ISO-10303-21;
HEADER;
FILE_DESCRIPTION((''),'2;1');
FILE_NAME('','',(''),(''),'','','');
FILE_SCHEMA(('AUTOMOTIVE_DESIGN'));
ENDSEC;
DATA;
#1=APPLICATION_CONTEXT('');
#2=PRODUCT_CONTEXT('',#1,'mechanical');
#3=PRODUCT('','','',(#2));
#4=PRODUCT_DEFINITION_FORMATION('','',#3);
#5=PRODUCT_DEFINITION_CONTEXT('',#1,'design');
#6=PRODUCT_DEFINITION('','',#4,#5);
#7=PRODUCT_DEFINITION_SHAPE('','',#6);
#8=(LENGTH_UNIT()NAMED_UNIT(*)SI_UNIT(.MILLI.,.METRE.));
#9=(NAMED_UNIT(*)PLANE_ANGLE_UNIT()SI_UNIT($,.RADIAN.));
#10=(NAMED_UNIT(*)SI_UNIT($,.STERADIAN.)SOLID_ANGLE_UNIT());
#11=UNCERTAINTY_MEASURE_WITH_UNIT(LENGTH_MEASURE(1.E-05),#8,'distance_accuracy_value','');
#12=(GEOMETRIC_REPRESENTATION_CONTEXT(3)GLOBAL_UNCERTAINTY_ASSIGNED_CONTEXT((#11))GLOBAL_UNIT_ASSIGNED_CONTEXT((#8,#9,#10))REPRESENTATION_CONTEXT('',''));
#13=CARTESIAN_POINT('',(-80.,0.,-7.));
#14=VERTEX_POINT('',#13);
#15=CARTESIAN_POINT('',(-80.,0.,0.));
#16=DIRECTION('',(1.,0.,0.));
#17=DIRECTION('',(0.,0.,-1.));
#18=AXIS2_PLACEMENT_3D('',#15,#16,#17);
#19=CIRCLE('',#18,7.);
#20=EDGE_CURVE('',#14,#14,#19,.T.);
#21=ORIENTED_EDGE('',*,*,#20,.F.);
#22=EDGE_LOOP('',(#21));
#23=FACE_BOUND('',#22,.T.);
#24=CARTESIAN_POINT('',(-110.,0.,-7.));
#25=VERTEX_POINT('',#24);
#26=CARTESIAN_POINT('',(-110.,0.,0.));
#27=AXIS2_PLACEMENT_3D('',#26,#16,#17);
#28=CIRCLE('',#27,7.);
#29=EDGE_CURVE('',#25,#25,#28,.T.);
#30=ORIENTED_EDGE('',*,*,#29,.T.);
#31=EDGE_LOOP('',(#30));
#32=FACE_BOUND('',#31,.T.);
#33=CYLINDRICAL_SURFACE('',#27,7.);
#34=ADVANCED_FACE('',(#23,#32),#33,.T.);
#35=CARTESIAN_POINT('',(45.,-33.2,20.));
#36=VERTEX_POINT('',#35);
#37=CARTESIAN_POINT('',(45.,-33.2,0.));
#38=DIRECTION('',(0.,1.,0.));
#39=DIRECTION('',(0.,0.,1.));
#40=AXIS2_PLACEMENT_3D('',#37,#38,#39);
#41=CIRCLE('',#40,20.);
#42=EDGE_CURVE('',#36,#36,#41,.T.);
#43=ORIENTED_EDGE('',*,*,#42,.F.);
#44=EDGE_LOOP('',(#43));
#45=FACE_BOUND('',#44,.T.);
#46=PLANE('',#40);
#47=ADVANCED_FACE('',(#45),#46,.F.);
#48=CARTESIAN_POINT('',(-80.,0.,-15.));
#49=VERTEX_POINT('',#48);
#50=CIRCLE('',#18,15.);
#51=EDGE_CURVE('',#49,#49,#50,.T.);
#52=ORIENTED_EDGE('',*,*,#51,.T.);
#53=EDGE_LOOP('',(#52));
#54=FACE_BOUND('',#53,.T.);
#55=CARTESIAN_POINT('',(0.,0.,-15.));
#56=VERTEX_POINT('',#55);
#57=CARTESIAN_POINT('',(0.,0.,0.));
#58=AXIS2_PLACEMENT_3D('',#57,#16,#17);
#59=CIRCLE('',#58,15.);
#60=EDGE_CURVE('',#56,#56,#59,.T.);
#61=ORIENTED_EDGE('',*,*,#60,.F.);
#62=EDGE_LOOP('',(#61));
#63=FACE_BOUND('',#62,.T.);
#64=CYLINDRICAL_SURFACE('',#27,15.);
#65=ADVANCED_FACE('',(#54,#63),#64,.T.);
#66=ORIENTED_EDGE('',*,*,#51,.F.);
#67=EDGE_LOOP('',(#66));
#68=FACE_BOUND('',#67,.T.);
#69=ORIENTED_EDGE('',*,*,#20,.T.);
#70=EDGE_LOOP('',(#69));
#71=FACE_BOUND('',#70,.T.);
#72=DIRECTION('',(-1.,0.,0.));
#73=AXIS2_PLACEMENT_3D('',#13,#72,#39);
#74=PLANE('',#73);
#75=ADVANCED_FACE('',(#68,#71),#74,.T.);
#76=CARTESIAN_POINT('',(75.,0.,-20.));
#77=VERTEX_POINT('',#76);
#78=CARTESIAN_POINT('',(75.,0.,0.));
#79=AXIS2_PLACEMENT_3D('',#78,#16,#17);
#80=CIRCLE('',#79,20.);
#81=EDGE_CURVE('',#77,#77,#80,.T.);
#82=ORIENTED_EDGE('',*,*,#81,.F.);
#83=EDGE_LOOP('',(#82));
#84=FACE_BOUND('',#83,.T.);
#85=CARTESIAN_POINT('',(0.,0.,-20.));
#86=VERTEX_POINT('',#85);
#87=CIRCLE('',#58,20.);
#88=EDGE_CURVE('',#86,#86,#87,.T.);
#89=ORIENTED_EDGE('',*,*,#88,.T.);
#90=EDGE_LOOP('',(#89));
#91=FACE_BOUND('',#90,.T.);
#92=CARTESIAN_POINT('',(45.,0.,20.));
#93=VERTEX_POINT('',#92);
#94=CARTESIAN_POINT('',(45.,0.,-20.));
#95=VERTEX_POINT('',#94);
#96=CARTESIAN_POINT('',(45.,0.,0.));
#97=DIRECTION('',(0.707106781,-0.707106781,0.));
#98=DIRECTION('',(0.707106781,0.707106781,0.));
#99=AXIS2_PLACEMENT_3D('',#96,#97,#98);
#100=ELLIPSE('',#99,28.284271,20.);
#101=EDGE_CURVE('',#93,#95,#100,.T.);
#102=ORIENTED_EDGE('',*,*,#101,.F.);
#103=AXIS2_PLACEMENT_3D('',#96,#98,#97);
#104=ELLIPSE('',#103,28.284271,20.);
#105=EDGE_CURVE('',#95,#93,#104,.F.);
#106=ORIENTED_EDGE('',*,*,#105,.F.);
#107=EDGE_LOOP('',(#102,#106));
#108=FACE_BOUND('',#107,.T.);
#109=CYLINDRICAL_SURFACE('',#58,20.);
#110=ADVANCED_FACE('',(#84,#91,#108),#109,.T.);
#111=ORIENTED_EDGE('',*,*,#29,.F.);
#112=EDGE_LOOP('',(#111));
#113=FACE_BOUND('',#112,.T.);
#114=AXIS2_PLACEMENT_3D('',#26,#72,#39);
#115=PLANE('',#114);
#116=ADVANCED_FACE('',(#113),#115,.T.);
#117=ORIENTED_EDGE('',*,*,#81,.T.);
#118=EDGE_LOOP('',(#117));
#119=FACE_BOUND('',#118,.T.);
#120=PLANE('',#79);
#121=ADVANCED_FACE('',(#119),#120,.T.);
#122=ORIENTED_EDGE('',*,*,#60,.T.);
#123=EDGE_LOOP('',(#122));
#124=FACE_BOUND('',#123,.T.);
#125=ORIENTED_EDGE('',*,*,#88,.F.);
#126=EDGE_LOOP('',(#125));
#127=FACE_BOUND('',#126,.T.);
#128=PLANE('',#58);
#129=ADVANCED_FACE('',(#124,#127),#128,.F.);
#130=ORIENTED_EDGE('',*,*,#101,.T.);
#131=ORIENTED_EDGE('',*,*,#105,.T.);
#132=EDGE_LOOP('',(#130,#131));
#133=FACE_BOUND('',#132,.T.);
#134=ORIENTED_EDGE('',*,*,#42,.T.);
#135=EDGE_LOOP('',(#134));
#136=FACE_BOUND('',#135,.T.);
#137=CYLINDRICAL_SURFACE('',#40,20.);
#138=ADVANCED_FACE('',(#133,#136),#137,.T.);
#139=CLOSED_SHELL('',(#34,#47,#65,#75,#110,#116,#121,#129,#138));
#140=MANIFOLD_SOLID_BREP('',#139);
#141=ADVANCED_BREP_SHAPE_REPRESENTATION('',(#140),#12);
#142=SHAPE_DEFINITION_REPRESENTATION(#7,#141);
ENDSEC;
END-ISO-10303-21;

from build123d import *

# Parameters (mm, degrees)
SKETCH2_R           = 20
SKETCH4_R           = 20
BOSS_EXTRUDE1_DEPTH = 33.2


with BuildPart() as part:
    # Sweep1: sweep along a path in Sketch1
    with BuildLine(Plane.XY) as sweep1_path:
        Line((0, 0), (75, 0))
    # Sketch2 → Sweep1 (sweep)
    with BuildSketch(Plane(origin=(0, 0, 0), x_dir=(0, 0, -1), z_dir=(1, 0, 0))):
        Circle(SKETCH2_R)
    sweep(path=sweep1_path.line)

    # Sketch4 → Boss-Extrude1 (add)
    with BuildSketch(Plane(origin=(0, 0, 0), x_dir=(1, 0, 0), z_dir=(0, 1, 0))):
        with Locations(Location((45, 0, 0), (0, 0, 270))):
            Circle(SKETCH4_R)
    extrude(amount=-BOSS_EXTRUDE1_DEPTH)

    # Sketch5 → Revolve1 (revolve)
    with BuildSketch(Plane(origin=(0, 0, 0), x_dir=(1, 0, 0), z_dir=(0, 1, 0))):
        Polygon((0, 0), (-110, 0), (-110, 7), (-80, 7), (-80, 15), (0, 15), align=None)
    revolve(axis=Axis((-110, 0, 0), (-1, 0, 0)))


solid = part.part
